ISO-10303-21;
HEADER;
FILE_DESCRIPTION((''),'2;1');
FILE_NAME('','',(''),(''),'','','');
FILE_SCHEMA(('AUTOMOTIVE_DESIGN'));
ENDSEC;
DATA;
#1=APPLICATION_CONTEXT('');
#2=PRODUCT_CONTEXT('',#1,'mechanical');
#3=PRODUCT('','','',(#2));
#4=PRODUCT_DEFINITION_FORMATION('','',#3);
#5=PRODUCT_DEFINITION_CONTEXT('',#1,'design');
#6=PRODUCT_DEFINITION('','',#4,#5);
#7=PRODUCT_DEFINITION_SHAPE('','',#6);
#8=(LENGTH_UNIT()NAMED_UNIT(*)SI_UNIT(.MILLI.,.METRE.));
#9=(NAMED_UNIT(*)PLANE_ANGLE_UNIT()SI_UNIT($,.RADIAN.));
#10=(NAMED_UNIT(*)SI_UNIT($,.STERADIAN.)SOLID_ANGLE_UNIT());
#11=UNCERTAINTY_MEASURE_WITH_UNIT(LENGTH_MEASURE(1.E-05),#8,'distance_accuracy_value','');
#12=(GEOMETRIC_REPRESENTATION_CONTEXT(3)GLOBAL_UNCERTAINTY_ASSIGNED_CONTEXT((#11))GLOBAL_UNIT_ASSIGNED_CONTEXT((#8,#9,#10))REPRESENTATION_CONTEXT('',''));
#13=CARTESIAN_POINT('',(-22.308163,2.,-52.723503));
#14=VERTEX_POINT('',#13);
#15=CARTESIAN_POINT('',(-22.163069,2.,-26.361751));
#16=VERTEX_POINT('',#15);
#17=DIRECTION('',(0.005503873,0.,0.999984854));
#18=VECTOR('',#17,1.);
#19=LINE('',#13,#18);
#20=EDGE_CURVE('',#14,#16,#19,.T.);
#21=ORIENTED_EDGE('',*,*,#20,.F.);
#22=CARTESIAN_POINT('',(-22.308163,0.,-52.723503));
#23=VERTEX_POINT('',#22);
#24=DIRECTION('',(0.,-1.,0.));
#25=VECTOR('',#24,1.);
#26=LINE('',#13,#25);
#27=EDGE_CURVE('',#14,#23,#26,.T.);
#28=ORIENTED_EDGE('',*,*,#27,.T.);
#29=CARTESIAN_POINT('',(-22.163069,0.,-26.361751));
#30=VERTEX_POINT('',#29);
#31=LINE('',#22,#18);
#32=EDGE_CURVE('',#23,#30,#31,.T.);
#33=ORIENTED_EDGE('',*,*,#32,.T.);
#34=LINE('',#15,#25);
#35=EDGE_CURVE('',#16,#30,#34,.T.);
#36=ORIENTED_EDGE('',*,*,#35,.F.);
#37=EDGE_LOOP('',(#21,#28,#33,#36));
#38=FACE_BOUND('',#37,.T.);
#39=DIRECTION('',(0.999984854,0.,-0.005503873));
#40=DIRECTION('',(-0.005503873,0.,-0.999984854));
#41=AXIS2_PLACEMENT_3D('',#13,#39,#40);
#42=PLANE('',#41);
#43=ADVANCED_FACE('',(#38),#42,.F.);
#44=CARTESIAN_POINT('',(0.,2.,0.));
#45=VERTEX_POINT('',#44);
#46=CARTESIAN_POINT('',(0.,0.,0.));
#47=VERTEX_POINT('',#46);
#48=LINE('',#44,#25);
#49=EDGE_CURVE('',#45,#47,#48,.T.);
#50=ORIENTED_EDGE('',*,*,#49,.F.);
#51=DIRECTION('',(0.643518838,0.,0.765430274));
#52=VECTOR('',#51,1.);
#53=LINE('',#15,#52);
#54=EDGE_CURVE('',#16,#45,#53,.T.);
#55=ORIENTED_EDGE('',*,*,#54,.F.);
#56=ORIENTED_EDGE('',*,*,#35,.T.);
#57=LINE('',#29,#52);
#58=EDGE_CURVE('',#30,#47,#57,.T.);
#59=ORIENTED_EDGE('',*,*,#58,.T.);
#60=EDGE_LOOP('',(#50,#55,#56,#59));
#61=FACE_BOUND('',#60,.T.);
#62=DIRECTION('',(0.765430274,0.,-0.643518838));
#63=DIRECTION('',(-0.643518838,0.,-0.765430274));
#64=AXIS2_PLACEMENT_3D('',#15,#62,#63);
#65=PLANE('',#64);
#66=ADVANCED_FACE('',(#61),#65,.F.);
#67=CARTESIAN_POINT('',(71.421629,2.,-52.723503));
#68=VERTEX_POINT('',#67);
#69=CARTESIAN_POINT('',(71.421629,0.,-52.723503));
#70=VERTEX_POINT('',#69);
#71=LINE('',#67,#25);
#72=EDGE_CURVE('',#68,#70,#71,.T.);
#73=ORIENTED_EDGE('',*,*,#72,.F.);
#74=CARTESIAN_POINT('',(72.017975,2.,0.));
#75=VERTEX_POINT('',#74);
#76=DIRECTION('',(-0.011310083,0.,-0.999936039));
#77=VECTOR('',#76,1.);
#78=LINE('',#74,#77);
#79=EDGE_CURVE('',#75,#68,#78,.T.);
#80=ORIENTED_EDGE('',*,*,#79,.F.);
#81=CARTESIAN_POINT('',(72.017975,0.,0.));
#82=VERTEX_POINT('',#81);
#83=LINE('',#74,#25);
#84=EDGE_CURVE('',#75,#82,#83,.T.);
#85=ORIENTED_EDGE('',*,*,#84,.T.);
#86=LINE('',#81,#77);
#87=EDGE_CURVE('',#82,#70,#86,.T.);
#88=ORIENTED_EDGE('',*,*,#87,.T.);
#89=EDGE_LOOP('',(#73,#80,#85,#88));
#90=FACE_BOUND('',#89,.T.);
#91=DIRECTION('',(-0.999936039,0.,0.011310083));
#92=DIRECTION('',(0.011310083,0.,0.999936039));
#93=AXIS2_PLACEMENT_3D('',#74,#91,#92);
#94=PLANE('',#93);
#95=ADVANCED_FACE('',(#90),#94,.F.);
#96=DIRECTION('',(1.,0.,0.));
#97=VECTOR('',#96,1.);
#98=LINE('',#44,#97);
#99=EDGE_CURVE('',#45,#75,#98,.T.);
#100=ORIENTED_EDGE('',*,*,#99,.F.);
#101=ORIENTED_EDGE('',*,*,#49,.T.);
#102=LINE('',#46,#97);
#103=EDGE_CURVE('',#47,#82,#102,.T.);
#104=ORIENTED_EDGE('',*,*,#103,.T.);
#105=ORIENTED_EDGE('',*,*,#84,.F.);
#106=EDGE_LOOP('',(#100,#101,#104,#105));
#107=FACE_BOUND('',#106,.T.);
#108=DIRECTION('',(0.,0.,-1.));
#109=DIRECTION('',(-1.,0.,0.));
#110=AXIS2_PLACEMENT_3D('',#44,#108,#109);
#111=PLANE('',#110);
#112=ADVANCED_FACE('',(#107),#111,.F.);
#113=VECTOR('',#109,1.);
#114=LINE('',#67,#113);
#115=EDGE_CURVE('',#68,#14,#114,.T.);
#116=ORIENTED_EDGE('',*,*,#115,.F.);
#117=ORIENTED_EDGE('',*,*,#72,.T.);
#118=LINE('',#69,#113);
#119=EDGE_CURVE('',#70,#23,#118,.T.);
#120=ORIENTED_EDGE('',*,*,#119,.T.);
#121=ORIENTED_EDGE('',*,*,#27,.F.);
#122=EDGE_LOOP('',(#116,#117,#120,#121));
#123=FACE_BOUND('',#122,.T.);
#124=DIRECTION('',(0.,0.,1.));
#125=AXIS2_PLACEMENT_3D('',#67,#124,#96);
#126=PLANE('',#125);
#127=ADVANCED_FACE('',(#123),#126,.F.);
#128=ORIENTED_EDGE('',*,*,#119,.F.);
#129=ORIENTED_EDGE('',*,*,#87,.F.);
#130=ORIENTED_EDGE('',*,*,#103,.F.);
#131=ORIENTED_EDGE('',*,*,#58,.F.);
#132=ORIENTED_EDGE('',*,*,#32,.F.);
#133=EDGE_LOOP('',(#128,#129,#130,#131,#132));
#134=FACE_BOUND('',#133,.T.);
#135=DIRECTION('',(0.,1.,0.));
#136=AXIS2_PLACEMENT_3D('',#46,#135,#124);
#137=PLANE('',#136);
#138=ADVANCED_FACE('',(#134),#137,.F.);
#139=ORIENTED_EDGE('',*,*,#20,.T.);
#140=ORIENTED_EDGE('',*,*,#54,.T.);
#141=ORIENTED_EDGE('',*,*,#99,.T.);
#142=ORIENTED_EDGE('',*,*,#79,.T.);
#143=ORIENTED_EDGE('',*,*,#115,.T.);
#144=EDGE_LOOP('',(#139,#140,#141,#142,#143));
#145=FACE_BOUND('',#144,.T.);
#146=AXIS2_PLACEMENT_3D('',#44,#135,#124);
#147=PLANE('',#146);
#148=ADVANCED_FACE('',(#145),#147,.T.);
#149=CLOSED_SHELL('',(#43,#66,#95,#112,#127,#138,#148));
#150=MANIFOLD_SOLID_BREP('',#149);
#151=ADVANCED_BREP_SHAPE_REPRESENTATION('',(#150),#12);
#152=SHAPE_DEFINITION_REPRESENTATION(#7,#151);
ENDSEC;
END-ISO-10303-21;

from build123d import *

# Parameters (mm, degrees)
BOSS_EXTRU_1_DEPTH = 2


with BuildPart() as part:
    # Esquisse1 → Boss.-Extru.1 (new body)
    with BuildSketch(Plane(origin=(0, 0, 0), x_dir=(1, 0, 0), z_dir=(0, 1, 0))):
        Polygon((-22.1630686, 26.361751479), (0, 0), (72.017974668, 0), (71.421629321, 52.723502957), (-22.308162531, 52.723502957), align=None)
    extrude(amount=BOSS_EXTRU_1_DEPTH)


solid = part.part
